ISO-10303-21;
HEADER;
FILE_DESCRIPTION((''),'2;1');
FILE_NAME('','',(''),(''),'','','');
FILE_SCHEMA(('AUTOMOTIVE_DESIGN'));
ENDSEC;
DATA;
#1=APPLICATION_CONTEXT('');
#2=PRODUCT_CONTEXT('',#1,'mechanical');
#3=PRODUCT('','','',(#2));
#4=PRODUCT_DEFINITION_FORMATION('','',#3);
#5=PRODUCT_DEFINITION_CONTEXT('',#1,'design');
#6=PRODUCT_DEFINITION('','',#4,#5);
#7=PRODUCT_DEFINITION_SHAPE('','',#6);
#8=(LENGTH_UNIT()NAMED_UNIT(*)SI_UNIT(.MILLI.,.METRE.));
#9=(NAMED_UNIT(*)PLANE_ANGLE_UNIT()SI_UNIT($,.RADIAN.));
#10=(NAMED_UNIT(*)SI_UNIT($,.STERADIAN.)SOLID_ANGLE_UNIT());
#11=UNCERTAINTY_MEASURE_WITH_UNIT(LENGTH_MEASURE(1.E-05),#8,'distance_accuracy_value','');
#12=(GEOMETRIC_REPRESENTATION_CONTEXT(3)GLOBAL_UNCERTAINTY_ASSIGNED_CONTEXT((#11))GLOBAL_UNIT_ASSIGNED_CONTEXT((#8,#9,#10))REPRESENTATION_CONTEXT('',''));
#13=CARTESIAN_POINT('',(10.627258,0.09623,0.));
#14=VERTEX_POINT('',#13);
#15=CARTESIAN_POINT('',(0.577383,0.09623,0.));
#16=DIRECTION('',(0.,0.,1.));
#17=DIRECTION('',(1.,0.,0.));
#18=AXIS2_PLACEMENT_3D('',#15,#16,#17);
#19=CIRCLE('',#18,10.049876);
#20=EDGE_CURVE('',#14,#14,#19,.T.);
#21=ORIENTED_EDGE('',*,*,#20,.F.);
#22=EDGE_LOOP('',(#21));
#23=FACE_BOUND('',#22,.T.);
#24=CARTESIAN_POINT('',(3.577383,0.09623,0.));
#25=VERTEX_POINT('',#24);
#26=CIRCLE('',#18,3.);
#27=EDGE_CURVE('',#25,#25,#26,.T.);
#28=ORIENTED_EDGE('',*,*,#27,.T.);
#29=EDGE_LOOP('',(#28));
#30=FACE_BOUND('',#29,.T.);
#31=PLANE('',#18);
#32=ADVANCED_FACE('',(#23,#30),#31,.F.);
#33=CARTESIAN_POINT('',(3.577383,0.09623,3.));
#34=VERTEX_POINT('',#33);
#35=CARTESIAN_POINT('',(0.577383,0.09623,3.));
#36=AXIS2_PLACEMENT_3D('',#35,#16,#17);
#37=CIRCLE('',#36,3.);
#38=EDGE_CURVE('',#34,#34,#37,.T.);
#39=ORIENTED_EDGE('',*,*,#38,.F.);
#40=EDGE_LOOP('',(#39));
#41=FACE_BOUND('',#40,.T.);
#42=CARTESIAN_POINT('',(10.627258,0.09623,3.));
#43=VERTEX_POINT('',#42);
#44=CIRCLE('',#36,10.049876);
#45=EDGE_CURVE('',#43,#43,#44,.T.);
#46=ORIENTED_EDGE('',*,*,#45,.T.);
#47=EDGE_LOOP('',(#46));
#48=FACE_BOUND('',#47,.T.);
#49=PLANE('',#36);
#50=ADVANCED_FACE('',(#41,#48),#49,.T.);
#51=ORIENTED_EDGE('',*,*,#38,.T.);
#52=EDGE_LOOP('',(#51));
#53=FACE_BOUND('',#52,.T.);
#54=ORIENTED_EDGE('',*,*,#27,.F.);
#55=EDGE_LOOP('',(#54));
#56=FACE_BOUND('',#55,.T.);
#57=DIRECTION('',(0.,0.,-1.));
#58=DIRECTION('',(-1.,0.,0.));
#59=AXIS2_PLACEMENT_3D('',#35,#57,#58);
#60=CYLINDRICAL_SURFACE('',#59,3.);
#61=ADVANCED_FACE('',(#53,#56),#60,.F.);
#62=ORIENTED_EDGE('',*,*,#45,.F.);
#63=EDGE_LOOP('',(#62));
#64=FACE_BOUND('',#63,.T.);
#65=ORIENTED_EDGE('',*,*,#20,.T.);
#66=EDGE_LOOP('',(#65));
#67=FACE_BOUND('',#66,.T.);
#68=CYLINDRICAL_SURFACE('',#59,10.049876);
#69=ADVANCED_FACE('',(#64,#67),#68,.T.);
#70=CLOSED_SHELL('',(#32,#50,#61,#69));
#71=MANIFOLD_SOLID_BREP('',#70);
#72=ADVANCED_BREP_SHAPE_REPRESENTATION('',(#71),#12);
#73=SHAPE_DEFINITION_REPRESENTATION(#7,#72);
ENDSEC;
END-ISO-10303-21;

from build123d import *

# Parameters (mm, degrees)
SKETCH1_R           = 10.049875621
SKETCH1_R_2         = 3
BOSS_EXTRUDE1_DEPTH = 3


with BuildPart() as part:
    # Sketch1 → Boss-Extrude1 (new body)
    with BuildSketch(Plane.XY):
        with Locations((0.57738265, 0.096230442)):
            Circle(SKETCH1_R)
        with Locations((0.57738265, 0.096230442)):
            Circle(SKETCH1_R_2, mode=Mode.SUBTRACT)
    extrude(amount=BOSS_EXTRUDE1_DEPTH)


solid = part.part
